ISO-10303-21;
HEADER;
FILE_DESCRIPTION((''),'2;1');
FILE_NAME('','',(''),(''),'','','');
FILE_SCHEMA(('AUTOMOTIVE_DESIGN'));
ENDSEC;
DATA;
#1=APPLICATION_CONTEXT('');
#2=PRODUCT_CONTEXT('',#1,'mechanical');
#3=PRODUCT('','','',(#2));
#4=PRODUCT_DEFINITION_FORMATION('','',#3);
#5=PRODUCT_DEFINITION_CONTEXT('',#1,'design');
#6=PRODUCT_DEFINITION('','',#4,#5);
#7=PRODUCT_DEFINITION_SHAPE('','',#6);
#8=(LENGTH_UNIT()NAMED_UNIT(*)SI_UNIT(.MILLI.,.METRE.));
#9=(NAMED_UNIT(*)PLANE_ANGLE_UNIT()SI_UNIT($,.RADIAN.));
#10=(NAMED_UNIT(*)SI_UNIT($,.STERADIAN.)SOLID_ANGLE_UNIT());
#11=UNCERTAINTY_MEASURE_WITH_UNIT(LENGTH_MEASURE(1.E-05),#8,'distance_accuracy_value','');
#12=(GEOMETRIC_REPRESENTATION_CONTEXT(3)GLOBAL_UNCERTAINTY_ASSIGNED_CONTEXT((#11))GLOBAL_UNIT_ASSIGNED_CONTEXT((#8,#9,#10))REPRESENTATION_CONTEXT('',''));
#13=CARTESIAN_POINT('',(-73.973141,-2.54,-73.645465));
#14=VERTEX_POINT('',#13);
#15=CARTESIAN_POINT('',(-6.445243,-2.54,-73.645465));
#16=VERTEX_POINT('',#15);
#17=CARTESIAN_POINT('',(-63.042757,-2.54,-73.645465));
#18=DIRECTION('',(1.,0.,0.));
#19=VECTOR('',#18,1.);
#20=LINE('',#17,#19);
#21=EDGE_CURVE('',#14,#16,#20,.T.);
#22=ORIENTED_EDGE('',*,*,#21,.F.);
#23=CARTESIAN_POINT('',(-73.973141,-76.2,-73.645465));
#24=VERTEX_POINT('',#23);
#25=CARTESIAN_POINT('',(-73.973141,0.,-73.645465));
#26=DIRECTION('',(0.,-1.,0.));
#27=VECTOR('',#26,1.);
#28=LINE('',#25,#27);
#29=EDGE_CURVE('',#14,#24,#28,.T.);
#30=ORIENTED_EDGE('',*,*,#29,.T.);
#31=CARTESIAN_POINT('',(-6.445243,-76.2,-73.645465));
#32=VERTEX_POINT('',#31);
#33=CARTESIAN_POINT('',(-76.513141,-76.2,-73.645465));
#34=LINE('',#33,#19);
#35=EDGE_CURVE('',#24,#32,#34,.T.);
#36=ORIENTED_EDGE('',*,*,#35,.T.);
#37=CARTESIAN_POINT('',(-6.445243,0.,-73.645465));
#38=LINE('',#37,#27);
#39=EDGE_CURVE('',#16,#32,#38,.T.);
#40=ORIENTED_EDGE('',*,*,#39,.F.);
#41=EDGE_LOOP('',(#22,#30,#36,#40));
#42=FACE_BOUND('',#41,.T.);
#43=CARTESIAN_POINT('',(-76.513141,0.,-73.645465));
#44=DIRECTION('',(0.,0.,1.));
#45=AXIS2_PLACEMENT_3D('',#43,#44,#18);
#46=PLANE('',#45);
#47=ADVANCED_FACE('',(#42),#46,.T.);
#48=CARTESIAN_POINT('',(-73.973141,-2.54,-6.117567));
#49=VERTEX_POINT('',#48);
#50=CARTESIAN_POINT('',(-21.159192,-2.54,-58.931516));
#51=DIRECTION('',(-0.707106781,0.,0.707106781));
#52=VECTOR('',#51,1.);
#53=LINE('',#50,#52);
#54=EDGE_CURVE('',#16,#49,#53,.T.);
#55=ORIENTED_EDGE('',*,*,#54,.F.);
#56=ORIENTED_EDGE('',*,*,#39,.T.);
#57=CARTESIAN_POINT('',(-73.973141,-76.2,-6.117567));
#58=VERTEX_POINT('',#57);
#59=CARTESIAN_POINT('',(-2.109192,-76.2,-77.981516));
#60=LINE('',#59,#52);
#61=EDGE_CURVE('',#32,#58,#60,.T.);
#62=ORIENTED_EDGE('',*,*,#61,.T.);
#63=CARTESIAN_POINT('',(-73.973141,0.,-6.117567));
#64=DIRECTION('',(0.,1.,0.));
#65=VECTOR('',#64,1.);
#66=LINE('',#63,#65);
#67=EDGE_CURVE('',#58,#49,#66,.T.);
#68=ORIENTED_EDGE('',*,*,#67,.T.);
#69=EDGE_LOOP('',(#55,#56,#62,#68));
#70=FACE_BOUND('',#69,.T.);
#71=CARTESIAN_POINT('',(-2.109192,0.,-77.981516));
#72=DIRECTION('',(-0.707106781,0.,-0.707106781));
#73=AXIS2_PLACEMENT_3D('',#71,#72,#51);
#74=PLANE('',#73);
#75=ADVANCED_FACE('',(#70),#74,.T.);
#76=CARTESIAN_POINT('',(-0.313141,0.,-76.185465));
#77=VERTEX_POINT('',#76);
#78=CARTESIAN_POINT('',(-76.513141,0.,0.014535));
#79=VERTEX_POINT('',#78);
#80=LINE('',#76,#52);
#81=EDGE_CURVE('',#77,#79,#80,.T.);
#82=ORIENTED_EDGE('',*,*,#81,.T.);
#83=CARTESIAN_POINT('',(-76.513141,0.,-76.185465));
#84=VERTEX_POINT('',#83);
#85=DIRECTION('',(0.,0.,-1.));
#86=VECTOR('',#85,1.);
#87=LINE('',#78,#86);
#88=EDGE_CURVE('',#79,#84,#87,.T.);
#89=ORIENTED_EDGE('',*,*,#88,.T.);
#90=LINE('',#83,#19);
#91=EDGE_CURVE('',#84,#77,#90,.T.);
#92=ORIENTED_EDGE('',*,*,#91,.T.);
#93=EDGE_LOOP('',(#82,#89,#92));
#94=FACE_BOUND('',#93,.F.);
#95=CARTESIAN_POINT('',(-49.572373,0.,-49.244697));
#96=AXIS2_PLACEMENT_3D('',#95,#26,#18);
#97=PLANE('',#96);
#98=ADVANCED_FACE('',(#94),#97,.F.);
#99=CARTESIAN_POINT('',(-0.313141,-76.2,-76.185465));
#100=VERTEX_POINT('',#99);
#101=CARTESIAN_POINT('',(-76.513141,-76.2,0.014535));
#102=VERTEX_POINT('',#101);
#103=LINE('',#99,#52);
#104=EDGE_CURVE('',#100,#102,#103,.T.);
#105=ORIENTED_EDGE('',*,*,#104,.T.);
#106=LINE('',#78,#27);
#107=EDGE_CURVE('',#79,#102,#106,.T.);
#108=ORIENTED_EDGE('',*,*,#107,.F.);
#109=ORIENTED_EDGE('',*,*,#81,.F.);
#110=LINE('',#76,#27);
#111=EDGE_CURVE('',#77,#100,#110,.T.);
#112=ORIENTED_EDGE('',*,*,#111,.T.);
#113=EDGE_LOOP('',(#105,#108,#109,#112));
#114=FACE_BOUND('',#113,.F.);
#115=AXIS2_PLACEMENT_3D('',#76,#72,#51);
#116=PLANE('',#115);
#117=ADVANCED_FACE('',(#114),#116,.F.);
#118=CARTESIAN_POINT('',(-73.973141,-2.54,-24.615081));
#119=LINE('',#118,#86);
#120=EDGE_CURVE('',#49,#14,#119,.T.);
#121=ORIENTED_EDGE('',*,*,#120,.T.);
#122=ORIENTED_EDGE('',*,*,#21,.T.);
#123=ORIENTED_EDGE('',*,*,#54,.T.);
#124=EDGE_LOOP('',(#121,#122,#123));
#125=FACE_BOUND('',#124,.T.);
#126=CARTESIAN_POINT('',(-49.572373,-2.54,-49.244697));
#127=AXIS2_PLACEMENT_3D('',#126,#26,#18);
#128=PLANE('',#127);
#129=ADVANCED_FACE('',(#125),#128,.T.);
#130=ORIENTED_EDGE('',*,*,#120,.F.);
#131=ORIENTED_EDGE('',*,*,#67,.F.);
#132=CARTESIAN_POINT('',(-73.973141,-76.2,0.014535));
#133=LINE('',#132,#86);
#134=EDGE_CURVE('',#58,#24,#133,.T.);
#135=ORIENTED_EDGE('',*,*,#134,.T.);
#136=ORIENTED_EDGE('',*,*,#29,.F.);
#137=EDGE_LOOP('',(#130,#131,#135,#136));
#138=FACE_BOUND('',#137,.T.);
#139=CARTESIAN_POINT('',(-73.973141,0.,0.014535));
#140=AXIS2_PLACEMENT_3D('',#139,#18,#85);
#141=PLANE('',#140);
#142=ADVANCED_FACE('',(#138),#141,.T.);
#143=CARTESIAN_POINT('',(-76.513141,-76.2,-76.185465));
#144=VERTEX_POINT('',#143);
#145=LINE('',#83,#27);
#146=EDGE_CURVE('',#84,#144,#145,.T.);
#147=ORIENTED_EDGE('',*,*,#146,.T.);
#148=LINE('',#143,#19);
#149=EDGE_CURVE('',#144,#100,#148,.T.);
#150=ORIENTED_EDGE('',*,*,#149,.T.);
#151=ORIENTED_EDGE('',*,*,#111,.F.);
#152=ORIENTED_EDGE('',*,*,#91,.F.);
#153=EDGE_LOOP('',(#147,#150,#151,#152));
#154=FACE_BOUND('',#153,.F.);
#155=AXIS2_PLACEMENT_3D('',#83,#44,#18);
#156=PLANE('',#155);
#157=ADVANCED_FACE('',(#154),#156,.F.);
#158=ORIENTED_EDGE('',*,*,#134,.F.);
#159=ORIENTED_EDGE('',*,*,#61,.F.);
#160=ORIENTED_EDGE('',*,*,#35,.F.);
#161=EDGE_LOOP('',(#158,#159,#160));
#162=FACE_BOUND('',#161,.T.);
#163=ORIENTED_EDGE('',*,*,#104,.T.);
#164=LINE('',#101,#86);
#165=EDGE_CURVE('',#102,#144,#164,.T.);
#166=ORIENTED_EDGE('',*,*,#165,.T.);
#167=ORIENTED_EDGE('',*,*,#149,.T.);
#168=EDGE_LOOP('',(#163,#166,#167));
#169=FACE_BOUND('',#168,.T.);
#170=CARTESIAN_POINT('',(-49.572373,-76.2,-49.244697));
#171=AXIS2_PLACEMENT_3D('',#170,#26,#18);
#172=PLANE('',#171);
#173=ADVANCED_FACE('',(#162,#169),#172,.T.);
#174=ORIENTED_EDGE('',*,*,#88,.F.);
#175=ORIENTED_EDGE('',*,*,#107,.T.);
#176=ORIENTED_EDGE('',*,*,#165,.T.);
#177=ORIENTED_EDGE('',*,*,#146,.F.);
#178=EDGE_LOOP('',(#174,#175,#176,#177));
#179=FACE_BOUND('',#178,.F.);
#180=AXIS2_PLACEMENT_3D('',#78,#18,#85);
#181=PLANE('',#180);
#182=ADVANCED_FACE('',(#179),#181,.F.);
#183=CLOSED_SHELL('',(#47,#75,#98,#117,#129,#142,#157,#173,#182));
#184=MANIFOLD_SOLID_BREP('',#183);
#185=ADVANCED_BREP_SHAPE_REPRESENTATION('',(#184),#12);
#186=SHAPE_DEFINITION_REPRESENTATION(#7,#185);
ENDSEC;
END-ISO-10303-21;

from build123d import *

# Parameters (mm, degrees)
F1_DEPTH = 76.2
F2_T     = -2.54


with BuildPart() as f1:
    # F0 (on Front) → F1 (new body)
    with BuildSketch(Plane.XZ):
        Polygon((-76.513141, 0.014535), (-76.513141, -76.185465), (-0.313141, -76.185465), align=None)
    extrude(amount=F1_DEPTH)

    # F2
    f2_openings = [f1.faces().sort_by_distance(p)[0] for p in [
        (-51.113141, -76.2, -50.785465),
    ]]
    offset(amount=F2_T, openings=f2_openings)


solid = f1.part
